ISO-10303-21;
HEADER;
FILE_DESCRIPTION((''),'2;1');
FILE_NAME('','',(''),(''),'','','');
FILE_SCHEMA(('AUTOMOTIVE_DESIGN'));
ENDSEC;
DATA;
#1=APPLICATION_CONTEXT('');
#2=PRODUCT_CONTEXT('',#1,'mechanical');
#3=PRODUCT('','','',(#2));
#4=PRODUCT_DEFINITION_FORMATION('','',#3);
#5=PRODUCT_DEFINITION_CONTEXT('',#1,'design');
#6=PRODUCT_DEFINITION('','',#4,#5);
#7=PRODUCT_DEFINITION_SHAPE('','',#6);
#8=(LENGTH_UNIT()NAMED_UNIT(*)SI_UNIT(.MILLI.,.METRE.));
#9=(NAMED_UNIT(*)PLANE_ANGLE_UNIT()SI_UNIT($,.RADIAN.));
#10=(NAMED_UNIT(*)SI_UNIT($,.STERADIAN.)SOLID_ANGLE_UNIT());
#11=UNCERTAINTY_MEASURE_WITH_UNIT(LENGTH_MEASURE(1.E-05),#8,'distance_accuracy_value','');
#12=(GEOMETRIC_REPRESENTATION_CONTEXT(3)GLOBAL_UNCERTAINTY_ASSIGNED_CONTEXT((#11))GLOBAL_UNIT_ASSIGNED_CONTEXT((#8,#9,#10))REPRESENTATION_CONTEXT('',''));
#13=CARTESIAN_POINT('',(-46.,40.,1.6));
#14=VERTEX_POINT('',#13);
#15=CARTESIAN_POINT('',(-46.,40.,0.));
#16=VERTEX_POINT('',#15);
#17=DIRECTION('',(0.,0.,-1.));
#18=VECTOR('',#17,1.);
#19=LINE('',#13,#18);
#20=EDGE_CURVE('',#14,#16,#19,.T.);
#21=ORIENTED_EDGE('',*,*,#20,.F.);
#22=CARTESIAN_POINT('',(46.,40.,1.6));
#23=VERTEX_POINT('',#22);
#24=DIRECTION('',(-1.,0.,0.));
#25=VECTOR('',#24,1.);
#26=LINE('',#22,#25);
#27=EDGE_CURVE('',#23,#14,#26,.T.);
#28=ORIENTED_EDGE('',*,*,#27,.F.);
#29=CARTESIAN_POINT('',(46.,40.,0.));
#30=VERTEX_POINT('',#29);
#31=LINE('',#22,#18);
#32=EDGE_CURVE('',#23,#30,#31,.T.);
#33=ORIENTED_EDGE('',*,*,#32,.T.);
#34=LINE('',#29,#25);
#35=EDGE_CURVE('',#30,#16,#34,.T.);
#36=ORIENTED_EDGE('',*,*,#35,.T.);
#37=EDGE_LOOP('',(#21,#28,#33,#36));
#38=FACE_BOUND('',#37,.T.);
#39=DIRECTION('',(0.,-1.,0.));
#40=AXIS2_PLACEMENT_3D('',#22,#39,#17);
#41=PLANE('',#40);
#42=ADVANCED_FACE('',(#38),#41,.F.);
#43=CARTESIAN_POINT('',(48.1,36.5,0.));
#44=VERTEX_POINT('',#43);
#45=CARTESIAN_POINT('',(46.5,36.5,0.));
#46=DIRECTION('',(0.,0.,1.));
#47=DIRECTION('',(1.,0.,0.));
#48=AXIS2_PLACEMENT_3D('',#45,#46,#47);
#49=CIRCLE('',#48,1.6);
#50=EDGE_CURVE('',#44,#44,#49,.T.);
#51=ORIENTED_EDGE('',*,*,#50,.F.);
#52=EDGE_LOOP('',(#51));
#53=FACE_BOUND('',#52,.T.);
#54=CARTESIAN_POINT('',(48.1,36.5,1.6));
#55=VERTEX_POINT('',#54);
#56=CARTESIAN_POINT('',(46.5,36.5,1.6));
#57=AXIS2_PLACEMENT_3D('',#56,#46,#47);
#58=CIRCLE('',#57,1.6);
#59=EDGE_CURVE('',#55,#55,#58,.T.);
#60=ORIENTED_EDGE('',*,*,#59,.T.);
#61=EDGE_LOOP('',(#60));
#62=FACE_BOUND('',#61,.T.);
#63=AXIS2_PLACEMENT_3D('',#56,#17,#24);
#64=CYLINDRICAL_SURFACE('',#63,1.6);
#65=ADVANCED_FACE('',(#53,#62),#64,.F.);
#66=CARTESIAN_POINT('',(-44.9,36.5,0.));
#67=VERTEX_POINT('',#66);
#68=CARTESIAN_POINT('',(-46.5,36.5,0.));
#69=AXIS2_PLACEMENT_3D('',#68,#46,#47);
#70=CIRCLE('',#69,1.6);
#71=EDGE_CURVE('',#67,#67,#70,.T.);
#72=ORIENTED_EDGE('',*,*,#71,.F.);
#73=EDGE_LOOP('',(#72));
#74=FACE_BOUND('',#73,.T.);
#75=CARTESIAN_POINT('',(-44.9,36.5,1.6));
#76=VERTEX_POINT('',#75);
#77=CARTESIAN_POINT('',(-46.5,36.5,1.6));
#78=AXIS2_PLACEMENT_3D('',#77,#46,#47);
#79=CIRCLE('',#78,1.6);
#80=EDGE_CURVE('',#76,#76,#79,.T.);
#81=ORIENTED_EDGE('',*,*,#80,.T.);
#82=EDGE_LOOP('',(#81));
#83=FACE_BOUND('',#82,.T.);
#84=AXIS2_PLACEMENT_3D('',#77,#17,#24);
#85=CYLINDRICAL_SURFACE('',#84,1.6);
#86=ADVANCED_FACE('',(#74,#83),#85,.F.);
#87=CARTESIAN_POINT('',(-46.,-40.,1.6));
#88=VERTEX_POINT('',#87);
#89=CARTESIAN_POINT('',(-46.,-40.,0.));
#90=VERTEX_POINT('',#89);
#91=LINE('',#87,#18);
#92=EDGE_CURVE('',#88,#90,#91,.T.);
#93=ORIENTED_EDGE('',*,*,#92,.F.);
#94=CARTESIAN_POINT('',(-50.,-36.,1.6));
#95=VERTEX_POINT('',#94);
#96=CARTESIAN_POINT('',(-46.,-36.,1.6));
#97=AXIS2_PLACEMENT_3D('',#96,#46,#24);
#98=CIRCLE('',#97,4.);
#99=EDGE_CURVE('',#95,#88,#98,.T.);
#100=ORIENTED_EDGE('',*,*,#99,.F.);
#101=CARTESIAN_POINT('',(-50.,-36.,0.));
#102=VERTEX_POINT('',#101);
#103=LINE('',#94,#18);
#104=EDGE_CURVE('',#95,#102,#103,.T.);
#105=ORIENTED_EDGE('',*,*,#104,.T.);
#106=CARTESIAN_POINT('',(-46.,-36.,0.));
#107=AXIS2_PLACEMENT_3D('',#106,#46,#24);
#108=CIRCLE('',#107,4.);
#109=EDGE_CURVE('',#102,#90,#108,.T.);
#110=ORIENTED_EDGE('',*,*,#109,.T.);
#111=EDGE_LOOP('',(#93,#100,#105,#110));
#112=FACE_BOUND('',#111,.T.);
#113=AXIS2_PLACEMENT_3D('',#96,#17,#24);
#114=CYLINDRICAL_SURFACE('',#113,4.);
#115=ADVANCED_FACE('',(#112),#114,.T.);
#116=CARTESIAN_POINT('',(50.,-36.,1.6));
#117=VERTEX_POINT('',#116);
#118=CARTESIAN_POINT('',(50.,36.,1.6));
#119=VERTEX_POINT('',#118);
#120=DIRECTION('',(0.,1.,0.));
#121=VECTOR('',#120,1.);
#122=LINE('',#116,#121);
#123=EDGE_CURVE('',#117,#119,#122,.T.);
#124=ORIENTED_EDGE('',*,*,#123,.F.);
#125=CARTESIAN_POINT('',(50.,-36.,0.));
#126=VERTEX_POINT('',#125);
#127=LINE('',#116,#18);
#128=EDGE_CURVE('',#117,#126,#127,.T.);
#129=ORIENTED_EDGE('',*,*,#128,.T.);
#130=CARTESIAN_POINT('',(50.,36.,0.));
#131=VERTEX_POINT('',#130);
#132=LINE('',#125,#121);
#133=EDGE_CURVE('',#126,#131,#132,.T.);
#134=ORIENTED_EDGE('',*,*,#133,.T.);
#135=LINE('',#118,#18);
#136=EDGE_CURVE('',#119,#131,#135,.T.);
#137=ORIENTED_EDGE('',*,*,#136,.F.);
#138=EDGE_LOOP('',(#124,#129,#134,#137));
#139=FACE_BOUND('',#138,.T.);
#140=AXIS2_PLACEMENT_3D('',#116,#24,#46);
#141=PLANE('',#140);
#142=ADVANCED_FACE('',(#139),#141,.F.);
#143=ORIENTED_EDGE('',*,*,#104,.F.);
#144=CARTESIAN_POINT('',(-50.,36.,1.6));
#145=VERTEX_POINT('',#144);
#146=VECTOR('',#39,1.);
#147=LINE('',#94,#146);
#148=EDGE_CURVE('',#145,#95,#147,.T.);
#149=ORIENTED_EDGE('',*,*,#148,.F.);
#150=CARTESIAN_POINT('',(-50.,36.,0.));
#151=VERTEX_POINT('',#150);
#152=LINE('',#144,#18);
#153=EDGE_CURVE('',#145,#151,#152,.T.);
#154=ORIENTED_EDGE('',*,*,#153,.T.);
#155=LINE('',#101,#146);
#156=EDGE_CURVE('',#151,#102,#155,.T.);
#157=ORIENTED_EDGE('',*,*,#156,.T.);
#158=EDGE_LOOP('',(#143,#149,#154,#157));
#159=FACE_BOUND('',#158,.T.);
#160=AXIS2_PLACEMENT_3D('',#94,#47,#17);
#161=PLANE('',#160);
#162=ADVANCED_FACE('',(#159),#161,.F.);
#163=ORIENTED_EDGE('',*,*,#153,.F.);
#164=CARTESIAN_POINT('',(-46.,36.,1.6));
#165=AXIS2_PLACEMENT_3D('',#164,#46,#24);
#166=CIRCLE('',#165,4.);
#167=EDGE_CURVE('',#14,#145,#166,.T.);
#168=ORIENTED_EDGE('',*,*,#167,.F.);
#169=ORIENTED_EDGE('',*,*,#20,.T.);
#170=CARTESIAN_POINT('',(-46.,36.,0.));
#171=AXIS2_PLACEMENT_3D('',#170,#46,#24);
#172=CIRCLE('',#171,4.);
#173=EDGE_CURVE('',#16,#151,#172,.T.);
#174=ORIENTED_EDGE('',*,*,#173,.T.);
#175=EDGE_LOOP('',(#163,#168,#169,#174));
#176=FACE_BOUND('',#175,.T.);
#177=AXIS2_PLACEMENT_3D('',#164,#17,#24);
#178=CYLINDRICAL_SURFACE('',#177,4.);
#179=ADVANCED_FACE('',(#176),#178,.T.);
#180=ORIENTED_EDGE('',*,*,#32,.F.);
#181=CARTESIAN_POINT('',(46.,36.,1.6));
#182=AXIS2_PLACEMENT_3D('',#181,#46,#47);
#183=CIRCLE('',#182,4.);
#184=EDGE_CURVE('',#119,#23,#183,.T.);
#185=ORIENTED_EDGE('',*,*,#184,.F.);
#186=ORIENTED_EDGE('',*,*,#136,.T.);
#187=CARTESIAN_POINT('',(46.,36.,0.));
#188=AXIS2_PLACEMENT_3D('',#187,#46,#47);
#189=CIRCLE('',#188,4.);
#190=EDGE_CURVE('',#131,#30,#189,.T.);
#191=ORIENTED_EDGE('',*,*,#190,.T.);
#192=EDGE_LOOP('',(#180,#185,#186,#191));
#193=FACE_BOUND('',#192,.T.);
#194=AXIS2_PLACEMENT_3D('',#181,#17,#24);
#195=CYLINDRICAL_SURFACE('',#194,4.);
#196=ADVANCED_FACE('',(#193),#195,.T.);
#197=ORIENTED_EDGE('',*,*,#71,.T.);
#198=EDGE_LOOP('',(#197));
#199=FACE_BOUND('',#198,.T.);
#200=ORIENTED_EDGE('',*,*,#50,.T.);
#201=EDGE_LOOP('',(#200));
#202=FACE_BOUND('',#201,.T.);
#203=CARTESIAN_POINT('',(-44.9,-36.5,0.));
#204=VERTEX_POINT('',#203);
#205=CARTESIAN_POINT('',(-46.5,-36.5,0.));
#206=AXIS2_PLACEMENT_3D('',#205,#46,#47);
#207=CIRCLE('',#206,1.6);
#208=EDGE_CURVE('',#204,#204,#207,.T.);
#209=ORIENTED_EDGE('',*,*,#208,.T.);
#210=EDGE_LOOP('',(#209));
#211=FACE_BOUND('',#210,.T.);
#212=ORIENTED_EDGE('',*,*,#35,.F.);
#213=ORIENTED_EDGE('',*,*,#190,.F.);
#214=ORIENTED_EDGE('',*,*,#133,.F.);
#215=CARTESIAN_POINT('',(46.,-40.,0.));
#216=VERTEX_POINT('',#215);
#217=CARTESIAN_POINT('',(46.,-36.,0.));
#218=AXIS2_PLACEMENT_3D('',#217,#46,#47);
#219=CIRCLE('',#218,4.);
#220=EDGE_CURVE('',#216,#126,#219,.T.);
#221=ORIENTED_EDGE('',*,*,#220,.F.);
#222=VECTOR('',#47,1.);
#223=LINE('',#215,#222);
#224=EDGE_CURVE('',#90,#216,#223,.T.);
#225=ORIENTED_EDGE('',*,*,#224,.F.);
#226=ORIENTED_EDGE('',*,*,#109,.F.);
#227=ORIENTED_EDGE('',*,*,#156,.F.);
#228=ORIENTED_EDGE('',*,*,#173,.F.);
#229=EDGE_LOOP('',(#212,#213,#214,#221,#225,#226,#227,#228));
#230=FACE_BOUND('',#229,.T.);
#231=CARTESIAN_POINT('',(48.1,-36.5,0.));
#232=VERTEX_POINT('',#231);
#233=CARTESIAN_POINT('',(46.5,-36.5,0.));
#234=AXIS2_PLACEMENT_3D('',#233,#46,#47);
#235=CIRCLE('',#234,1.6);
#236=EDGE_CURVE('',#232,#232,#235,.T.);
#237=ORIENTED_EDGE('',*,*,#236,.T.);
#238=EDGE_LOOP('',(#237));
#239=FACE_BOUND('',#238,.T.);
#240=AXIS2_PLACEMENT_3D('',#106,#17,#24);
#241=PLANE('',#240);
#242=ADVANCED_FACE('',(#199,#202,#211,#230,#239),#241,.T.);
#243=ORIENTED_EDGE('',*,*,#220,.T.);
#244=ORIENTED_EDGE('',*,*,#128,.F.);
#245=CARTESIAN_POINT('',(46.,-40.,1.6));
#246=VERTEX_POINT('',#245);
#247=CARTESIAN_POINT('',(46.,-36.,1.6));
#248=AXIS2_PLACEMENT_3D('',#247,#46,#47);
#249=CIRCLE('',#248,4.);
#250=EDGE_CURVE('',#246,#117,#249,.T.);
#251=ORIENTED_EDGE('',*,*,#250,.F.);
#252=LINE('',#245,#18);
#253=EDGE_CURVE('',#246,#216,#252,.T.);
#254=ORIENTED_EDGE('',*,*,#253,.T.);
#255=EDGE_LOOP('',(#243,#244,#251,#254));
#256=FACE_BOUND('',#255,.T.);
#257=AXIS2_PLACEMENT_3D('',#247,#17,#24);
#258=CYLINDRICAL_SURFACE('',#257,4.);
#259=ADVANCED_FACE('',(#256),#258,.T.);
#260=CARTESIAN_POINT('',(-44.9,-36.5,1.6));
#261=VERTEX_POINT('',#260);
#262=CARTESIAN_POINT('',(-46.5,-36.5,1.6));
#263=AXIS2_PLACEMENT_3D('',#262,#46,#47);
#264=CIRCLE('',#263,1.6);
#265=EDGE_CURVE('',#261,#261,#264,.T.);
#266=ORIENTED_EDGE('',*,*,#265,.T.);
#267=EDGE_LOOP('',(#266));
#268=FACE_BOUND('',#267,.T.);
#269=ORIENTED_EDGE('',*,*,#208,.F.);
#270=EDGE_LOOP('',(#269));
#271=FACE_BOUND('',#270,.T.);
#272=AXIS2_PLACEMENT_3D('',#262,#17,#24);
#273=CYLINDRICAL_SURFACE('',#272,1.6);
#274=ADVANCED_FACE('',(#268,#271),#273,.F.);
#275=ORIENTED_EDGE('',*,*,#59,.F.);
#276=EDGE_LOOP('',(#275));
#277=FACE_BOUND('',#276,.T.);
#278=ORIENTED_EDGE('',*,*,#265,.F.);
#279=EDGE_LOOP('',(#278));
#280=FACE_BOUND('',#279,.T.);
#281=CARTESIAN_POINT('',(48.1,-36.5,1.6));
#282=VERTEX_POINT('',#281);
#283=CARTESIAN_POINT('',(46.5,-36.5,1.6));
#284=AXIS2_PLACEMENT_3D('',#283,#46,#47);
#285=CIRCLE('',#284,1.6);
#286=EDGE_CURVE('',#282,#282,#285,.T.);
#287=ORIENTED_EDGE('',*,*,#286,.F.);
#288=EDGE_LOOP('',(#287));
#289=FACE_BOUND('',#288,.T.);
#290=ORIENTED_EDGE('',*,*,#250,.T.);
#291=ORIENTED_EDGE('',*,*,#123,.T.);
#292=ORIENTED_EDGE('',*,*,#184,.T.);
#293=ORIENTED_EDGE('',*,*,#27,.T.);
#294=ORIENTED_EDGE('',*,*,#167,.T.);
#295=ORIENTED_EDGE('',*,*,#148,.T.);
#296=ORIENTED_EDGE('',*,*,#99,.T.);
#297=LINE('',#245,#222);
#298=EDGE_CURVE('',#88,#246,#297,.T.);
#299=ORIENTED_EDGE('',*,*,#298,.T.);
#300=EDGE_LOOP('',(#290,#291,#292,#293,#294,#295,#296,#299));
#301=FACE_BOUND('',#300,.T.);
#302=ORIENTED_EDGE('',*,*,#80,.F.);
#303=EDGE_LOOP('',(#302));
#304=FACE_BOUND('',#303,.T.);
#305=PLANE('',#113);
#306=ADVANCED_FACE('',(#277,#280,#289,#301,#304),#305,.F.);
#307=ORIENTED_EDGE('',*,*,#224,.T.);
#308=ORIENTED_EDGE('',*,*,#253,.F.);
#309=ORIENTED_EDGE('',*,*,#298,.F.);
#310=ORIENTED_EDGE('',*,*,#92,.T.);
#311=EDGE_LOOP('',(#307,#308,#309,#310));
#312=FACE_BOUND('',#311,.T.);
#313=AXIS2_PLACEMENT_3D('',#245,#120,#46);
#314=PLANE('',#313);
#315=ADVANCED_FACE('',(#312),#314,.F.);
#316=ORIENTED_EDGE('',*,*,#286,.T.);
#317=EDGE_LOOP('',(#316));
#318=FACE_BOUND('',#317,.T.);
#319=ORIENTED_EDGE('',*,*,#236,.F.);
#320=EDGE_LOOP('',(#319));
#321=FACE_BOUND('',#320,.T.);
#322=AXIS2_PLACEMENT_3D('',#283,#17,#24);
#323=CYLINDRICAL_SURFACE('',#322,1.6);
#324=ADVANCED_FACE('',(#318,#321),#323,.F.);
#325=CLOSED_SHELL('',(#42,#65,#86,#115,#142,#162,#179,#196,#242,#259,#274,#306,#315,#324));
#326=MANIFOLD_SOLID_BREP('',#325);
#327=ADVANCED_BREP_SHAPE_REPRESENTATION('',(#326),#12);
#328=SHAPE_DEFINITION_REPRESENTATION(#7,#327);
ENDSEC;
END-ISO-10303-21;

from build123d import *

# Parameters (mm, degrees)
SKETCH1_R           = 1.6
BOSS_EXTRUDE1_DEPTH = 1.6


with BuildPart() as part:
    # Sketch1 → Boss-Extrude1 (new body)
    with BuildSketch(Plane.XY):
        with BuildLine():
            Line((46, -40), (-46, -40))
            ThreePointArc((-46, -40), (-48.828427125, -38.828427125), (-50, -36))
            Line((-50, -36), (-50, 36))
            ThreePointArc((-50, 36), (-48.828427125, 38.828427125), (-46, 40))
            Line((-46, 40), (46, 40))
            ThreePointArc((46, 40), (48.828427125, 38.828427125), (50, 36))
            Line((50, 36), (50, -36))
            ThreePointArc((50, -36), (48.828427125, -38.828427125), (46, -40))
        make_face()
        with Locations((-46.5, 36.5)):
            Circle(SKETCH1_R, mode=Mode.SUBTRACT)
        with Locations((-46.5, -36.5)):
            Circle(SKETCH1_R, mode=Mode.SUBTRACT)
        with Locations((46.5, -36.5)):
            Circle(SKETCH1_R, mode=Mode.SUBTRACT)
        with Locations((46.5, 36.5)):
            Circle(SKETCH1_R, mode=Mode.SUBTRACT)
    extrude(amount=BOSS_EXTRUDE1_DEPTH)


solid = part.part
